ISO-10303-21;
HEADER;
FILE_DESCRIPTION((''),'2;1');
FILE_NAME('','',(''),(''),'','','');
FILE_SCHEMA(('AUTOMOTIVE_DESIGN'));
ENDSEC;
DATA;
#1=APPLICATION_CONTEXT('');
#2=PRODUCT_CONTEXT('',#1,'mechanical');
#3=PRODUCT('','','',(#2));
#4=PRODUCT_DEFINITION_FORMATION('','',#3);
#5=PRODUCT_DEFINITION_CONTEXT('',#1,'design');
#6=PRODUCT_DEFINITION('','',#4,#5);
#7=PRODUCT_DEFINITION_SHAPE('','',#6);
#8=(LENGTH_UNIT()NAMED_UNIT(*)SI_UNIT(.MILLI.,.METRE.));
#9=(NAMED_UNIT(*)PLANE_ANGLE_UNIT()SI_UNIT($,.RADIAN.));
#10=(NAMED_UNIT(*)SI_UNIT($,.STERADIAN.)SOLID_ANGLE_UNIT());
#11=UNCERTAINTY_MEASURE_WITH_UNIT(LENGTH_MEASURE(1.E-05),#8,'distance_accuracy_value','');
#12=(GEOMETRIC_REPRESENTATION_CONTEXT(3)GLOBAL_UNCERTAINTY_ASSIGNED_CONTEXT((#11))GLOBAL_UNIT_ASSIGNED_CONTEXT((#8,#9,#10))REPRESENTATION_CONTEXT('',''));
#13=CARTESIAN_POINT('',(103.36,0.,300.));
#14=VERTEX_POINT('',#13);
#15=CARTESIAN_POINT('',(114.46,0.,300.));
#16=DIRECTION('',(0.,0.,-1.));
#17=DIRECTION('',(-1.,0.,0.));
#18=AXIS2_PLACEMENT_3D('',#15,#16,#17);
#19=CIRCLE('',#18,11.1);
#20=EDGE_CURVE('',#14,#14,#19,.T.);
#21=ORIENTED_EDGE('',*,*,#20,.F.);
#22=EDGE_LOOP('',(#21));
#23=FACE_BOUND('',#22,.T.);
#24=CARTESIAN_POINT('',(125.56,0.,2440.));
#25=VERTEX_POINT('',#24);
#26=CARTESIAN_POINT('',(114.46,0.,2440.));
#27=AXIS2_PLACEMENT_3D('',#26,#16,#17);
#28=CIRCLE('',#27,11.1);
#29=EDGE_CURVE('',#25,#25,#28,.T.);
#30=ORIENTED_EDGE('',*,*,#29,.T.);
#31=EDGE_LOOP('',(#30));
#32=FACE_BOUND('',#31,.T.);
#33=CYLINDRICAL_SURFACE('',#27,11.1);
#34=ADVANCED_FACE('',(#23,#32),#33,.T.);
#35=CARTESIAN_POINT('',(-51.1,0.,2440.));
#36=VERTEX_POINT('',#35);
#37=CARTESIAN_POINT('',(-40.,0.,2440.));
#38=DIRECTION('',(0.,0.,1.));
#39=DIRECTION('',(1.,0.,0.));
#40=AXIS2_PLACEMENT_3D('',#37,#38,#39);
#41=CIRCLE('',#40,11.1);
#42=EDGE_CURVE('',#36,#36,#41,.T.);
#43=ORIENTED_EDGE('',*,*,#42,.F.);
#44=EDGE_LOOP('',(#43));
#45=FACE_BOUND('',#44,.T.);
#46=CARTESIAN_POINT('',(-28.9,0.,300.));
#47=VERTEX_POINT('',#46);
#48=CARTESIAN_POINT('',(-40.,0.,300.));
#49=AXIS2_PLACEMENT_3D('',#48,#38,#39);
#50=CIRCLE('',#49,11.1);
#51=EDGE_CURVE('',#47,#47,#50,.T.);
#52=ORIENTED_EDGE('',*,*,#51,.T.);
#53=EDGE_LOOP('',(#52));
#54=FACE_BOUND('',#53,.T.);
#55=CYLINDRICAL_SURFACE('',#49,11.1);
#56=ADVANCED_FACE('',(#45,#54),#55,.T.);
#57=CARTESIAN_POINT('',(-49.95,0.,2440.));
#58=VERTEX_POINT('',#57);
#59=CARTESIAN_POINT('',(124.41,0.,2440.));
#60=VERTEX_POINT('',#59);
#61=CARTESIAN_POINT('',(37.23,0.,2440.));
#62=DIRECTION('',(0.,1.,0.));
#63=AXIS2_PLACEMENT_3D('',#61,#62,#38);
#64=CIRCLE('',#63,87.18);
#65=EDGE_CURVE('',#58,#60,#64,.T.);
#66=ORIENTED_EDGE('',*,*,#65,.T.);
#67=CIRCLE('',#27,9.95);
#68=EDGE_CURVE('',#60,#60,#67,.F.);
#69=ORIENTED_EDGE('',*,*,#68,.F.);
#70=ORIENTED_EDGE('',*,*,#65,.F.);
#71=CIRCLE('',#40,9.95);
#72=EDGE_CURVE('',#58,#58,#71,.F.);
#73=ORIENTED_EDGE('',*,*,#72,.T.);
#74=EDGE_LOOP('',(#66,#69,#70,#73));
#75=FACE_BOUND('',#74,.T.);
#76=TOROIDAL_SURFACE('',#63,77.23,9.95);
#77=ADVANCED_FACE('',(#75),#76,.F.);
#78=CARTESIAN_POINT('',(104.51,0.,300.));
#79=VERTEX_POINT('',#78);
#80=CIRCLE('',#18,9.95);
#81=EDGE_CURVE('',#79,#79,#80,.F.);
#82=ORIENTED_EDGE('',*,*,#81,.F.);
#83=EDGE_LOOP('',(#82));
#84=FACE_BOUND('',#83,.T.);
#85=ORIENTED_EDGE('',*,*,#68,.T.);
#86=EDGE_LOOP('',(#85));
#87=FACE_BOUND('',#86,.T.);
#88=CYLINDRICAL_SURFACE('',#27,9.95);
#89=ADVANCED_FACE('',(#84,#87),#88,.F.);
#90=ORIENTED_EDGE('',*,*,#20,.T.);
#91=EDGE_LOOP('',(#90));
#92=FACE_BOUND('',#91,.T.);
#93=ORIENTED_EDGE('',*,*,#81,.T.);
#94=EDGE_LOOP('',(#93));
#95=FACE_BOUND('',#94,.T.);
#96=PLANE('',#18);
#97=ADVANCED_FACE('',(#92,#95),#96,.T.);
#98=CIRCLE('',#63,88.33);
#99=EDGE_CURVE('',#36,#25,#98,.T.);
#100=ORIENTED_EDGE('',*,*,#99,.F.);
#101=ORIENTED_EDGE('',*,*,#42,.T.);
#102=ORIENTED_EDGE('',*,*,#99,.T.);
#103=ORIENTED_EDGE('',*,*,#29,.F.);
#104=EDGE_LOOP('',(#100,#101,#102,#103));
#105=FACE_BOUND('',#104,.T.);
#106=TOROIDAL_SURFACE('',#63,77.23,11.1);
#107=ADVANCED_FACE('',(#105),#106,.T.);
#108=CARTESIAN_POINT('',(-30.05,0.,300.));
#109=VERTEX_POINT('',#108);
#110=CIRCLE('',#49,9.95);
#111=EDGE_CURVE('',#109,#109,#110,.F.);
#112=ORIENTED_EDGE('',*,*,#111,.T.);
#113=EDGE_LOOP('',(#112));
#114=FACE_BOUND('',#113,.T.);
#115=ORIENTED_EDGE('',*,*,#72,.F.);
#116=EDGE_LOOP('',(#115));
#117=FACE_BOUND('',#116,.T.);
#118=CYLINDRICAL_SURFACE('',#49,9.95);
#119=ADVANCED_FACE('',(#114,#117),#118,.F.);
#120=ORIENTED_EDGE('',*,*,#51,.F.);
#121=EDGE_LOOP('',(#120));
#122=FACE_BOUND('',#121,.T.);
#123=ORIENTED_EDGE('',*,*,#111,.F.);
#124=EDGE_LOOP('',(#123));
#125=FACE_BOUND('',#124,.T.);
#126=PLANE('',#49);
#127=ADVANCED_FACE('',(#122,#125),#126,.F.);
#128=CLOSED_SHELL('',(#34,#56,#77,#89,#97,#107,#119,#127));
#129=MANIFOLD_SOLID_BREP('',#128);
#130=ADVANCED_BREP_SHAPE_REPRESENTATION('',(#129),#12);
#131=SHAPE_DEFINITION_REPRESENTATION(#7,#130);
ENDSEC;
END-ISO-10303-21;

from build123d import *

# Parameters (mm, degrees)
SKETCH2_R   = 11.1
SKETCH2_R_2 = 9.95


with BuildPart() as part:
    # Sweep1: sweep along a path in Sketch1
    with BuildLine(Plane(origin=(0, 0, 0), x_dir=(1, 0, 0), z_dir=(0, 1, 0))) as sweep1_path:
        Line((114.46, -300), (114.46, -2440))
        ThreePointArc((114.46, -2440), (37.23, -2517.23), (-40, -2440))
        Line((-40, -2440), (-40, -300))
    # Sketch2 → Sweep1 (sweep)
    with BuildSketch(Plane(origin=(114.46, 0, 300), x_dir=(-1, 0, 0), z_dir=(0, 0, -1))):
        Circle(SKETCH2_R)
        Circle(SKETCH2_R_2, mode=Mode.SUBTRACT)
    sweep(path=sweep1_path.line)


solid = part.part
